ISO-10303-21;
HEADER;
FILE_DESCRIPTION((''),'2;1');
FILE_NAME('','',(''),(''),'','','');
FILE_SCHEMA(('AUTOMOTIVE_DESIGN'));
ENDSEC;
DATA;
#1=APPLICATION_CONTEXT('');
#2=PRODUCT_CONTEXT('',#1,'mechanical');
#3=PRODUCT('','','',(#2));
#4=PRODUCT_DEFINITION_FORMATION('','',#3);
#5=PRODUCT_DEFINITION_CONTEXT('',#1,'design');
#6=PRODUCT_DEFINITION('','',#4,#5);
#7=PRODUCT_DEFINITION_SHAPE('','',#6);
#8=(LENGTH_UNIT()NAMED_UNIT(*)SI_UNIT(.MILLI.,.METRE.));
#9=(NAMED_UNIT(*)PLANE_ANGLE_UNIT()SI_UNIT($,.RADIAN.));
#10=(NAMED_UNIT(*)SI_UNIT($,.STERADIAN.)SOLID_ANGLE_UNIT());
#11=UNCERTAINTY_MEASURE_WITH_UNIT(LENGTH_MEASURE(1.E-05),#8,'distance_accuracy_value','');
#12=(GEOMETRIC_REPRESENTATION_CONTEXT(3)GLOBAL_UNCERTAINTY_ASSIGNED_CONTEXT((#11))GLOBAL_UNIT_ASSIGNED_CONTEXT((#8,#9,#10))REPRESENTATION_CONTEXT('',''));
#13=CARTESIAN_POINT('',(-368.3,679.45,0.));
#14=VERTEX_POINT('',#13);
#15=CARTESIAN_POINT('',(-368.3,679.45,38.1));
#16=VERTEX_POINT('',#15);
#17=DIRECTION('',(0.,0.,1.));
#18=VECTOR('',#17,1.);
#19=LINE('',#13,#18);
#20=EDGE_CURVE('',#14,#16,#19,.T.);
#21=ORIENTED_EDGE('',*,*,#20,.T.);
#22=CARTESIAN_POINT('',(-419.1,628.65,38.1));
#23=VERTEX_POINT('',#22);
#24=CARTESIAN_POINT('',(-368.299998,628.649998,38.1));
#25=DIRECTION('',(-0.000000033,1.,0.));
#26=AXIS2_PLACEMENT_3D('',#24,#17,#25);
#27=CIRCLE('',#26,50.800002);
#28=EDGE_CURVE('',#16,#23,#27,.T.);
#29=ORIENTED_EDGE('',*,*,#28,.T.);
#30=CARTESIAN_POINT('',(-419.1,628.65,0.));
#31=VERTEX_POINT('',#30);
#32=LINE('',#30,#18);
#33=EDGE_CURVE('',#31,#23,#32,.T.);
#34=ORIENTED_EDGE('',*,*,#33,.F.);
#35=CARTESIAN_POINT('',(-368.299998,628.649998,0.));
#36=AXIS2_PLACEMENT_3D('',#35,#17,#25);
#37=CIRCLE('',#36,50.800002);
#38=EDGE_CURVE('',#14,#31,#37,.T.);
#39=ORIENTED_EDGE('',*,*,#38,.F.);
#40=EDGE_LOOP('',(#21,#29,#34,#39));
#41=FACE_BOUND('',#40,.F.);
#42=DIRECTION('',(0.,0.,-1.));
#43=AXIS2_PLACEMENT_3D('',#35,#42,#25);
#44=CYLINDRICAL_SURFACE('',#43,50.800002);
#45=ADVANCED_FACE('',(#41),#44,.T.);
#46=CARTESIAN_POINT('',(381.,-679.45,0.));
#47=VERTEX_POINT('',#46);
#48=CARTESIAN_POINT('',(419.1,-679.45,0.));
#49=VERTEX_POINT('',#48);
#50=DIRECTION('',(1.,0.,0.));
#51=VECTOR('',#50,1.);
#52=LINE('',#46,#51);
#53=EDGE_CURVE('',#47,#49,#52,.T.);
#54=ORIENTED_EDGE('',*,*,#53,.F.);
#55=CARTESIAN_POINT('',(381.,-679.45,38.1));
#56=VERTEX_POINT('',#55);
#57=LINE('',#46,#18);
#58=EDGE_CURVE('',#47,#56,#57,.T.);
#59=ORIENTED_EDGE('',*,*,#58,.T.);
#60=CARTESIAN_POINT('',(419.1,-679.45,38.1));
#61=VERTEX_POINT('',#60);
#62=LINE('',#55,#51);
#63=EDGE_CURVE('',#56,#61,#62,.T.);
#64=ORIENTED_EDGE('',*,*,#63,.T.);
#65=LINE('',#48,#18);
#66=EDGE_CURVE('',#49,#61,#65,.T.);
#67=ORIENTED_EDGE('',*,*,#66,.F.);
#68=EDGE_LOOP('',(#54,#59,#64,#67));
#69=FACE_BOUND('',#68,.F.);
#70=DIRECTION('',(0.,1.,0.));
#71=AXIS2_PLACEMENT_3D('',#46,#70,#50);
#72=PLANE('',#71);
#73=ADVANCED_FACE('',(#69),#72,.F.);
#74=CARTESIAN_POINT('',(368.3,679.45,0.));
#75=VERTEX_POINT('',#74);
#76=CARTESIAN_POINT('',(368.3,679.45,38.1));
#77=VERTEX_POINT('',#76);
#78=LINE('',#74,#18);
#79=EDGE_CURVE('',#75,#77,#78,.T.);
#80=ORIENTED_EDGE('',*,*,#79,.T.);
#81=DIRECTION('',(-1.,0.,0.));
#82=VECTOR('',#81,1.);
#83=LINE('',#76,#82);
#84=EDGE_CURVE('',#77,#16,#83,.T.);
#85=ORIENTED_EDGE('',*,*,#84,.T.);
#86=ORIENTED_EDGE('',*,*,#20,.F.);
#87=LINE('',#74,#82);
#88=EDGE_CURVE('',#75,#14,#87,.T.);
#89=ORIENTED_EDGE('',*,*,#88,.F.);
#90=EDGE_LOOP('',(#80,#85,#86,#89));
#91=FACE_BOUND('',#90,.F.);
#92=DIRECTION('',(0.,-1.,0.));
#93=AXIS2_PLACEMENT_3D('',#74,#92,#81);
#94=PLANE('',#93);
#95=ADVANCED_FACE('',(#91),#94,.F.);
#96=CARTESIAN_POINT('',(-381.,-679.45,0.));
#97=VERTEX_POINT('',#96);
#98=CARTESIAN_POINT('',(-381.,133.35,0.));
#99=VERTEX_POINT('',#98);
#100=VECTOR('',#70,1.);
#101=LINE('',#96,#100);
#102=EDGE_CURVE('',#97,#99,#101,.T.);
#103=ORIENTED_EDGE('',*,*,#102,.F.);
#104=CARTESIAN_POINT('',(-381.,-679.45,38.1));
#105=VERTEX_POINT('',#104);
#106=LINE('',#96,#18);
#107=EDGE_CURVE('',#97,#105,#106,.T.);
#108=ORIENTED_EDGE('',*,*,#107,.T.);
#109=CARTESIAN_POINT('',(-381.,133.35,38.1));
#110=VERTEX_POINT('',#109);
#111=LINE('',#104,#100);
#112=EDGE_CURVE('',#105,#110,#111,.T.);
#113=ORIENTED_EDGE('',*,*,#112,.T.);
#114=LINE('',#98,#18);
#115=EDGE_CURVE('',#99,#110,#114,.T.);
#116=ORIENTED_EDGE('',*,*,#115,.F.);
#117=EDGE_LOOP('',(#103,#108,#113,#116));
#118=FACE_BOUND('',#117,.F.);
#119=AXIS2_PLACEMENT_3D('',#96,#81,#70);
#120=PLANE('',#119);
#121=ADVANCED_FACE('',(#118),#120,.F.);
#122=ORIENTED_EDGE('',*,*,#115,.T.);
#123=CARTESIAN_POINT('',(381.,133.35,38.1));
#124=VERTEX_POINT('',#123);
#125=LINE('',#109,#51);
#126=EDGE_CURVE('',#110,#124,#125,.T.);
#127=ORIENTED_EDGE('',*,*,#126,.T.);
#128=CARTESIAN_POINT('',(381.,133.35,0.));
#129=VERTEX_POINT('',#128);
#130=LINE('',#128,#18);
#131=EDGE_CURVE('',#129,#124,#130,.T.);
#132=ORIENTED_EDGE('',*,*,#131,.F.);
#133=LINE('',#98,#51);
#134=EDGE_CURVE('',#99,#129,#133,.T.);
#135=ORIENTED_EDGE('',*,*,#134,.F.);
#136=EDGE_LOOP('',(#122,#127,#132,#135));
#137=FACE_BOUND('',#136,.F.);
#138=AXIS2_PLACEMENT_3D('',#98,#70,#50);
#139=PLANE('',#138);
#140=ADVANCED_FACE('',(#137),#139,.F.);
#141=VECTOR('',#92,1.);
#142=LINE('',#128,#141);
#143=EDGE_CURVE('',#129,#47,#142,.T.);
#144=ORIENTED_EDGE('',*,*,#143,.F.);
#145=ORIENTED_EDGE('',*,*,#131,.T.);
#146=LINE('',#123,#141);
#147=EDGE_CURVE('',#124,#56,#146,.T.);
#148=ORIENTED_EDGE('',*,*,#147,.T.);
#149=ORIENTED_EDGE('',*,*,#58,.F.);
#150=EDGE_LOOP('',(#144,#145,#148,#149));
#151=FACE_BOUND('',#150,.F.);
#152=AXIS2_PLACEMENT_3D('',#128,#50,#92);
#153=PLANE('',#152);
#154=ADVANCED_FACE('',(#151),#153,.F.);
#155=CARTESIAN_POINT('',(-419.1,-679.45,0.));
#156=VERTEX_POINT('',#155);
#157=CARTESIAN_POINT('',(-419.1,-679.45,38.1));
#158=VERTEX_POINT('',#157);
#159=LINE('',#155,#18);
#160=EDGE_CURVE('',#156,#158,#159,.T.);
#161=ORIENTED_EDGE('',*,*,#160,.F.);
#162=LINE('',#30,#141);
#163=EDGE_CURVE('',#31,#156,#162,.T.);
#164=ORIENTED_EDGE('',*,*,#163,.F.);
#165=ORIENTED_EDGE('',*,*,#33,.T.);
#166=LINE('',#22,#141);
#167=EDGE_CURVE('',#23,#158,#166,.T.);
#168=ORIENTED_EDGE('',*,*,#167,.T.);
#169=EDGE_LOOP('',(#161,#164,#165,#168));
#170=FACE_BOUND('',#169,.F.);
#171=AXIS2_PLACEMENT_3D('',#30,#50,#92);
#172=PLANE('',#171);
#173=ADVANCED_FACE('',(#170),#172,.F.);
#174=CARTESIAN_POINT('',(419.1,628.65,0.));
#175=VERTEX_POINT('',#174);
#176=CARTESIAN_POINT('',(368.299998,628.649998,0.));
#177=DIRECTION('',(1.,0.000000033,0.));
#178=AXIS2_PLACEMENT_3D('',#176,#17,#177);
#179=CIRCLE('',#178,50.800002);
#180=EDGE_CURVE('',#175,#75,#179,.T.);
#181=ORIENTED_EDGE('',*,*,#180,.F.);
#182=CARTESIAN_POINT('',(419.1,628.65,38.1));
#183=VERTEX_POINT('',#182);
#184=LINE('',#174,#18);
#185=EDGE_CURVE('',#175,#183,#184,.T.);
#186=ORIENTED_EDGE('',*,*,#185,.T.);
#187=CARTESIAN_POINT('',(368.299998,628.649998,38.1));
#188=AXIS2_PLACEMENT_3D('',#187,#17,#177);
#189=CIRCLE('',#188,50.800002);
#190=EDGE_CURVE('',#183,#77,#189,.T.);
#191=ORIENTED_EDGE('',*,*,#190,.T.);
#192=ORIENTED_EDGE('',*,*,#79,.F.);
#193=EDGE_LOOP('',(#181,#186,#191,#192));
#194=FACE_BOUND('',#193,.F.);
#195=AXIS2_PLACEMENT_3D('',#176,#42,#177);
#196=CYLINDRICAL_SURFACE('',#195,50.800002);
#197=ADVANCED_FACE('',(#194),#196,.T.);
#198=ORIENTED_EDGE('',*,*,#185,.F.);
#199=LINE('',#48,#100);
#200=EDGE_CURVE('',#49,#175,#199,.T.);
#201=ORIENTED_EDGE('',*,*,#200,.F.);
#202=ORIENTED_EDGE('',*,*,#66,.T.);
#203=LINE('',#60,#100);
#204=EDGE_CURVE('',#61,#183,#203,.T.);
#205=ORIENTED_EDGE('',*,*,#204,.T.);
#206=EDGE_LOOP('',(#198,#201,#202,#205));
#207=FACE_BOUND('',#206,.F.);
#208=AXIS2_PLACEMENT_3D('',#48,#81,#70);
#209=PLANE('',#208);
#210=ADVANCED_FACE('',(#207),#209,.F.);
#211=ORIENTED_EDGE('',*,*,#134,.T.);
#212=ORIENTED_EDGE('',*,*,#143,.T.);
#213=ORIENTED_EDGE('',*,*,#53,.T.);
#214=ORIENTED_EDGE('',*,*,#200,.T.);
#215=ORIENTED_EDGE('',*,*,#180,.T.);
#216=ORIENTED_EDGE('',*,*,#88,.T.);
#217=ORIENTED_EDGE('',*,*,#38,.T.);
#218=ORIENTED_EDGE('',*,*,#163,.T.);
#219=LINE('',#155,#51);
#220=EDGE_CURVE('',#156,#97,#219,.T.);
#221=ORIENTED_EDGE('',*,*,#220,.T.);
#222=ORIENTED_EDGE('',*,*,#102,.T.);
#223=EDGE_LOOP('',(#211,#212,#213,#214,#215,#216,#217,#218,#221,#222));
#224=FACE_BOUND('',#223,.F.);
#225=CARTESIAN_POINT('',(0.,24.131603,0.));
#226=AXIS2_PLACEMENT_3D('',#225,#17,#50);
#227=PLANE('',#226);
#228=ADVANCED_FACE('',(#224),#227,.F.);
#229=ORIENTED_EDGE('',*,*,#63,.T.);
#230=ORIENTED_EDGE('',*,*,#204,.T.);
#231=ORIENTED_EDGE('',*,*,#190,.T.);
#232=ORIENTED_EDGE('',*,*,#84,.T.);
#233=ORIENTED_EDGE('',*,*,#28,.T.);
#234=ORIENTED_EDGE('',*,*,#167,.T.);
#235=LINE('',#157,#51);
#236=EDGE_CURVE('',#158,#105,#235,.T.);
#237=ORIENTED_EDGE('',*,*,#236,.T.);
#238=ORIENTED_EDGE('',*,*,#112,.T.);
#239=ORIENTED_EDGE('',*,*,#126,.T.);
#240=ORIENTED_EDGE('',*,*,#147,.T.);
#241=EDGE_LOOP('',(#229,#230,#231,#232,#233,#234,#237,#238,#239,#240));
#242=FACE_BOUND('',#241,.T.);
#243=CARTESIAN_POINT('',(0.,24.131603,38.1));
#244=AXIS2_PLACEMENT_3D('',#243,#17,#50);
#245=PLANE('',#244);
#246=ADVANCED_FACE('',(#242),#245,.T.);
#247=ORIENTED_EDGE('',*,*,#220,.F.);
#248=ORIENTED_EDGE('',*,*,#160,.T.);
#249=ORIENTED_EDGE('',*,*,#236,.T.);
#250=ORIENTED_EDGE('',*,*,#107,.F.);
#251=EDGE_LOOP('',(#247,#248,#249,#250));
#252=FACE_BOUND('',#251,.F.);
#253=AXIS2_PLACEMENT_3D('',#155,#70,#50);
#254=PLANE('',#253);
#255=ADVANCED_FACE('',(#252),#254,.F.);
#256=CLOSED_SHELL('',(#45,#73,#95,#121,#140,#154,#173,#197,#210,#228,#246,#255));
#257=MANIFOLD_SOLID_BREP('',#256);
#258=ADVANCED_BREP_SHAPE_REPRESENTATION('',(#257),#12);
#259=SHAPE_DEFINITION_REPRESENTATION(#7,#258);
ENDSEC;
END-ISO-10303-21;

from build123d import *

# Parameters (mm, degrees)
F1_DEPTH = 38.1


with BuildPart() as f1:
    # F0 (on Top) → F1 (new body)
    with BuildSketch(Plane.XY):
        with BuildLine():
            Line((368.3, 679.45), (-368.3, 679.45))
            ThreePointArc((-368.3, 679.45), (-404.221024, 664.571024), (-419.1, 628.65))
            Line((-419.1, 628.65), (-419.1, -679.45))
            Line((-419.1, -679.45), (-381, -679.45))
            Line((-381, -679.45), (-381, 133.35))
            Line((-381, 133.35), (381, 133.35))
            Line((381, 133.35), (381, -679.45))
            Line((381, -679.45), (419.1, -679.45))
            Line((419.1, -679.45), (419.1, 628.65))
            ThreePointArc((419.1, 628.65), (404.221024, 664.571024), (368.3, 679.45))
        make_face()
    extrude(amount=F1_DEPTH)


solid = f1.part
